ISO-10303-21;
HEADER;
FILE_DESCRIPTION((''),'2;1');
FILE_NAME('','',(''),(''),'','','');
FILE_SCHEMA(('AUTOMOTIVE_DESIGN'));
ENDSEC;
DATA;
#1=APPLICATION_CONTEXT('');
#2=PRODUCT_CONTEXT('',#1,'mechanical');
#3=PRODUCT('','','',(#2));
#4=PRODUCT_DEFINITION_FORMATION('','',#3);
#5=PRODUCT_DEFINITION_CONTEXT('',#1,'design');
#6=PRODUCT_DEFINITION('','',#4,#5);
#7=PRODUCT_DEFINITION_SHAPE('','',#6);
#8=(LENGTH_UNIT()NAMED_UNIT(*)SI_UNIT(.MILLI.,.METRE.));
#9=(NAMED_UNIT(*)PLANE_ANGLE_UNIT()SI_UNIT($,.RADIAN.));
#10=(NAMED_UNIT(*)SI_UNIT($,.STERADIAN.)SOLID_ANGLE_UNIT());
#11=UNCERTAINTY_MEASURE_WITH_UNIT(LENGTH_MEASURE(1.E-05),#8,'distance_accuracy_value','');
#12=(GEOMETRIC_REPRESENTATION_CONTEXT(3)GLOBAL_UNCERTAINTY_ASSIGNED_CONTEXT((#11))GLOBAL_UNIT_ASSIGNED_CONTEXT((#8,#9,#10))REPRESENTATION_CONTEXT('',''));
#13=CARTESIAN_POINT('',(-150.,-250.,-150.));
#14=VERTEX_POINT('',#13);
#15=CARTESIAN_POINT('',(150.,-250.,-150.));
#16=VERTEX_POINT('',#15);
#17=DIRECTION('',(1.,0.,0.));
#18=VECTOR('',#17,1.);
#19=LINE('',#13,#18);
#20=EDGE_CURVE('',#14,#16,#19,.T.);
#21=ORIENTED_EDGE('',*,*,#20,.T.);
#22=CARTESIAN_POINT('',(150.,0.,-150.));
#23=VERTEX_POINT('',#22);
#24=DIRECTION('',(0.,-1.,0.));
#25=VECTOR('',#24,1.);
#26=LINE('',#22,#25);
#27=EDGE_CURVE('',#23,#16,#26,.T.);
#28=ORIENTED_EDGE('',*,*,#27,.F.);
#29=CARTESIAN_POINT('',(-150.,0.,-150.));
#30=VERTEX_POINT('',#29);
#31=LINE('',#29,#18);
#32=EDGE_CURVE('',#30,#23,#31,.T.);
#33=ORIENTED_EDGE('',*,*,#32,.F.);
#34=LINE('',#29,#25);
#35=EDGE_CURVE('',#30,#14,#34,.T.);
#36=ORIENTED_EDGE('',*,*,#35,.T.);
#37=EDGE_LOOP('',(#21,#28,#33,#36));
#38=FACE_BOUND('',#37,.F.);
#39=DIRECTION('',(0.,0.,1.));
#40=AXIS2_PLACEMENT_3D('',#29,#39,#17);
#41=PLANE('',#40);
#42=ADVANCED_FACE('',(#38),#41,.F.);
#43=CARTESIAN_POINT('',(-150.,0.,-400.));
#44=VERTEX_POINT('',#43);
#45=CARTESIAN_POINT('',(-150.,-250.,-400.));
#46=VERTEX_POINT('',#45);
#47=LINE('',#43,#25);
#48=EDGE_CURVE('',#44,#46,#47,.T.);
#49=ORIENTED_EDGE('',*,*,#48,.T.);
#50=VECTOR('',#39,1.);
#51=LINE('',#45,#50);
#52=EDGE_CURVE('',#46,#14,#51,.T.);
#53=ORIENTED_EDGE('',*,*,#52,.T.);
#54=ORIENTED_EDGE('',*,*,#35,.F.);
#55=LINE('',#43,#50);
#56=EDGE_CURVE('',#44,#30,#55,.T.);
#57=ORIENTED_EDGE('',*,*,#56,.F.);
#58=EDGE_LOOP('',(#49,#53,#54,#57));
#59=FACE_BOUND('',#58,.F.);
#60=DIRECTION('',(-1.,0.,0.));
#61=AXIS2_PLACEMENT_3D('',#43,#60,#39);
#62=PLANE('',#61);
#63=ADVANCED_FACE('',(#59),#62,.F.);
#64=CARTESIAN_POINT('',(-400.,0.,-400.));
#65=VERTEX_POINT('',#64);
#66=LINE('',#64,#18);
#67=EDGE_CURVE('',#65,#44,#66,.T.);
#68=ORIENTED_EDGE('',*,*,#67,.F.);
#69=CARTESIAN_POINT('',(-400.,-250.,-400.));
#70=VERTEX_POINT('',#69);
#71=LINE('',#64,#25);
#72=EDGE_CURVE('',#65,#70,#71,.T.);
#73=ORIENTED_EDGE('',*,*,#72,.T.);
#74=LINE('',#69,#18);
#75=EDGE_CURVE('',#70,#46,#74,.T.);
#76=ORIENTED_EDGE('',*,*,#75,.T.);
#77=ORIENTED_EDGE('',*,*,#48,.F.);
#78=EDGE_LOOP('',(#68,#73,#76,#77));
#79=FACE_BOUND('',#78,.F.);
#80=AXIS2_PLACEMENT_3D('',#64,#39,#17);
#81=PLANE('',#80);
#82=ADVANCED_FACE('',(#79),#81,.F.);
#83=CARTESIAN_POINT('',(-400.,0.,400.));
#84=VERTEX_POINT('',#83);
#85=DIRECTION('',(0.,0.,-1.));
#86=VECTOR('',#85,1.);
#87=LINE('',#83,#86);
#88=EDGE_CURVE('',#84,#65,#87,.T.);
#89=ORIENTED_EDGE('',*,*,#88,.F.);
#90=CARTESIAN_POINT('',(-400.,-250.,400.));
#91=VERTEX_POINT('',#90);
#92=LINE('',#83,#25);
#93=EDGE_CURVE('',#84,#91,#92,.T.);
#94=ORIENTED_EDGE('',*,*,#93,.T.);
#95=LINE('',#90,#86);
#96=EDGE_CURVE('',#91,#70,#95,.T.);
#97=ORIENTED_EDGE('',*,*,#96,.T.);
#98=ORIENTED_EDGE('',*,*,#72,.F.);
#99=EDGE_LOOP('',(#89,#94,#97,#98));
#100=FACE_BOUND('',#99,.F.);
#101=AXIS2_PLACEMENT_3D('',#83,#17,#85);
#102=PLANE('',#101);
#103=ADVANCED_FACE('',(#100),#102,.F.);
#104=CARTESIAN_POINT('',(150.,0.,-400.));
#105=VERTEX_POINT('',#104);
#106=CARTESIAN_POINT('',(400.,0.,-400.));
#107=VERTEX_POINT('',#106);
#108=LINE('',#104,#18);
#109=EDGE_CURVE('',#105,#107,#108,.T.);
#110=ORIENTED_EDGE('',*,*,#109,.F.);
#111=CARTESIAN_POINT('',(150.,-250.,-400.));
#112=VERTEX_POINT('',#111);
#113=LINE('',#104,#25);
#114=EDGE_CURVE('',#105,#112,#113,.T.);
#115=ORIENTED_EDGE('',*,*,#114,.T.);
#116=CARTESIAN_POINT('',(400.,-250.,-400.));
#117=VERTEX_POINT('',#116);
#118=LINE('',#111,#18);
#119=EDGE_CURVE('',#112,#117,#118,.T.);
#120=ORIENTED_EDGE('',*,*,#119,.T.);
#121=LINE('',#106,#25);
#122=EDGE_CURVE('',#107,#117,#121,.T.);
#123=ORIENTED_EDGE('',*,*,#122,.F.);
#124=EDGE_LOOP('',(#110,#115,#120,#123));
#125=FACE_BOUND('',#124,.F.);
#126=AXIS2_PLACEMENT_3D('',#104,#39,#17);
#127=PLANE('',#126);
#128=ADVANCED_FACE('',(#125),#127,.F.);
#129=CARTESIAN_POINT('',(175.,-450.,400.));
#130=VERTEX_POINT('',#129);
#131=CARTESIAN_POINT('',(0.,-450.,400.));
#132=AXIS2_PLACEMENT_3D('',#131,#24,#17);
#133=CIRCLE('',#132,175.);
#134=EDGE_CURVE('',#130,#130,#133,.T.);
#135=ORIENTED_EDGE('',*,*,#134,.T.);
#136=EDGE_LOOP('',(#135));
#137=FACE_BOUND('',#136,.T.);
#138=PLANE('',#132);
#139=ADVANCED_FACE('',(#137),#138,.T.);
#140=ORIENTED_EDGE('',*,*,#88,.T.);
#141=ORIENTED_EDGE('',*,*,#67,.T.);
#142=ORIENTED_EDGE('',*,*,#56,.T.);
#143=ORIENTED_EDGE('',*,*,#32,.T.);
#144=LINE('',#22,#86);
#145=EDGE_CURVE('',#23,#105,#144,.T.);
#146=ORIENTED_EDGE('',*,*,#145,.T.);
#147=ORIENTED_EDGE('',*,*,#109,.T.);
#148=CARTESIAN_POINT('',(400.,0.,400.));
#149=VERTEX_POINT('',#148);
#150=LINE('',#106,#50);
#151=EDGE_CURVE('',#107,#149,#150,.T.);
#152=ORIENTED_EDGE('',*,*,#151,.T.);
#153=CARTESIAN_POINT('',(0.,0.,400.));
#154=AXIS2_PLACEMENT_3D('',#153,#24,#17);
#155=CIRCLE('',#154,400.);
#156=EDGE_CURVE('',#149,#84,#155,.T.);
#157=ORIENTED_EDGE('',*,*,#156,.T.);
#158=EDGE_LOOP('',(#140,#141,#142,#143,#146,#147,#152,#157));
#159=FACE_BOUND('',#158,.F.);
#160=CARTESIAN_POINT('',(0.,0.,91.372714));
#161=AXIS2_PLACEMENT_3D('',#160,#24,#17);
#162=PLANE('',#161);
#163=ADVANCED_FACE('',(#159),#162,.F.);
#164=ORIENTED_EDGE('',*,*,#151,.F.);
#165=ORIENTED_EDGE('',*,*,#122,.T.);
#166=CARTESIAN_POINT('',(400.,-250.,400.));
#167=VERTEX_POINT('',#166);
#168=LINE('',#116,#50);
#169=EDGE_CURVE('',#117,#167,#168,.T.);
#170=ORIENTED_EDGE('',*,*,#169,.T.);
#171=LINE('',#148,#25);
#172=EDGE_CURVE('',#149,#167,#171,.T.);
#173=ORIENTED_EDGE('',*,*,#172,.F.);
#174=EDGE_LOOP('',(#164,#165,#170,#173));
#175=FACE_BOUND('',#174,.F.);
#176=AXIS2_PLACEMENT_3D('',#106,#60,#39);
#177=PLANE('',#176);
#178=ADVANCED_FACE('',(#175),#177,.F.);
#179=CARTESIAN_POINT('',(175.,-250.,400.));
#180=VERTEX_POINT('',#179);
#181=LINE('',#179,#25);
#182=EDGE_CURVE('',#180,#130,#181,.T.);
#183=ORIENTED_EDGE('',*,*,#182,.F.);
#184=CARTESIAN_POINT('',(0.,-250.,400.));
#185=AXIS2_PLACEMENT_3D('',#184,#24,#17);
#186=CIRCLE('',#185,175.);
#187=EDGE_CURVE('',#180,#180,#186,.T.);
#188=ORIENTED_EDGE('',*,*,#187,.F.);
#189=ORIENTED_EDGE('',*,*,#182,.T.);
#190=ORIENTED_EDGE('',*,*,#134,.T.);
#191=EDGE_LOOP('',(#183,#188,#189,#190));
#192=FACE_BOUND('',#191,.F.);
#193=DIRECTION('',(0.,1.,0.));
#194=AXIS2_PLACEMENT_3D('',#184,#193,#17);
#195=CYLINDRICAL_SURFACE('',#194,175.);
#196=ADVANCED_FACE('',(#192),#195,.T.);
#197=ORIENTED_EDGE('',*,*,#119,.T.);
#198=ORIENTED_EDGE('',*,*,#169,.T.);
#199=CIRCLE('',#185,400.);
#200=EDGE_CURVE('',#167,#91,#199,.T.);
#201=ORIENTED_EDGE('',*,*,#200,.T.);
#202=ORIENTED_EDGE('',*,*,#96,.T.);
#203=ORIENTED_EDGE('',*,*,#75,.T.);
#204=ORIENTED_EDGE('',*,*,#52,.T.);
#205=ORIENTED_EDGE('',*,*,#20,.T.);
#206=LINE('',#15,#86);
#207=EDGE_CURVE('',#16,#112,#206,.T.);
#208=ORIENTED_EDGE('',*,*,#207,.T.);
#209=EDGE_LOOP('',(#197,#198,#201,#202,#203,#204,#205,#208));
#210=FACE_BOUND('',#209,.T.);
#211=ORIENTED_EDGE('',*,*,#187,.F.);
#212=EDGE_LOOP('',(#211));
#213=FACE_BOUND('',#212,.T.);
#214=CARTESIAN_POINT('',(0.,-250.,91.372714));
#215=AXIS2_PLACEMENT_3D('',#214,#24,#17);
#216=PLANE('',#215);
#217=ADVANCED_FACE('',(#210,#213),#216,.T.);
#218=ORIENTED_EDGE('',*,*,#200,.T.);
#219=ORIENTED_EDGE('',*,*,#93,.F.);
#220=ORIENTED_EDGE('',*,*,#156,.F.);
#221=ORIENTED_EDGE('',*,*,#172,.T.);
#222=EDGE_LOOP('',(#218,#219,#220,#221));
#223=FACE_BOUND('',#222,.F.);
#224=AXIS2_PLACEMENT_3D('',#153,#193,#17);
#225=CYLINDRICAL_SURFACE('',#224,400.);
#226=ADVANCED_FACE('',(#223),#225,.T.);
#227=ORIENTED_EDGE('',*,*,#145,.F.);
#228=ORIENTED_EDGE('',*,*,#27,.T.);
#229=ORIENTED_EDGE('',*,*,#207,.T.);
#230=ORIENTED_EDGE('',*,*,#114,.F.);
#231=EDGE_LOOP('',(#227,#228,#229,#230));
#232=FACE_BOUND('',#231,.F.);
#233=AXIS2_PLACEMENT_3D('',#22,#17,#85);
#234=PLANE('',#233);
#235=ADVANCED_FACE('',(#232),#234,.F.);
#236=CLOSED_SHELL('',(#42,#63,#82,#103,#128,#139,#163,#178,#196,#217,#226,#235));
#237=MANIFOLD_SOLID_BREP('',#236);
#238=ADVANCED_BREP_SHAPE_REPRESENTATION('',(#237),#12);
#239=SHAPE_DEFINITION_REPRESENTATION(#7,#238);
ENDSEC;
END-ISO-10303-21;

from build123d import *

# Parameters (mm, degrees)
F1_DEPTH = 250
F2_R     = 175
F3_DEPTH = 200


with BuildPart() as f1:
    # F0 (on Front) → F1 (new body)
    with BuildSketch(Plane.XZ):
        with BuildLine():
            Line((150, -400), (400, -400))
            Line((400, -400), (400, 400))
            ThreePointArc((400, 400), (0, 800), (-400, 400))
            Line((-400, 400), (-400, -400))
            Line((-400, -400), (-150, -400))
            Line((-150, -400), (-150, -150))
            Line((-150, -150), (150, -150))
            Line((150, -150), (150, -400))
        make_face()
    extrude(amount=F1_DEPTH)

    # F2 (on face) → F3 (join)
    with BuildSketch(Plane.XZ.offset(250)):
        with Locations((0, 400)):
            Circle(F2_R)
    extrude(amount=F3_DEPTH)


solid = f1.part
